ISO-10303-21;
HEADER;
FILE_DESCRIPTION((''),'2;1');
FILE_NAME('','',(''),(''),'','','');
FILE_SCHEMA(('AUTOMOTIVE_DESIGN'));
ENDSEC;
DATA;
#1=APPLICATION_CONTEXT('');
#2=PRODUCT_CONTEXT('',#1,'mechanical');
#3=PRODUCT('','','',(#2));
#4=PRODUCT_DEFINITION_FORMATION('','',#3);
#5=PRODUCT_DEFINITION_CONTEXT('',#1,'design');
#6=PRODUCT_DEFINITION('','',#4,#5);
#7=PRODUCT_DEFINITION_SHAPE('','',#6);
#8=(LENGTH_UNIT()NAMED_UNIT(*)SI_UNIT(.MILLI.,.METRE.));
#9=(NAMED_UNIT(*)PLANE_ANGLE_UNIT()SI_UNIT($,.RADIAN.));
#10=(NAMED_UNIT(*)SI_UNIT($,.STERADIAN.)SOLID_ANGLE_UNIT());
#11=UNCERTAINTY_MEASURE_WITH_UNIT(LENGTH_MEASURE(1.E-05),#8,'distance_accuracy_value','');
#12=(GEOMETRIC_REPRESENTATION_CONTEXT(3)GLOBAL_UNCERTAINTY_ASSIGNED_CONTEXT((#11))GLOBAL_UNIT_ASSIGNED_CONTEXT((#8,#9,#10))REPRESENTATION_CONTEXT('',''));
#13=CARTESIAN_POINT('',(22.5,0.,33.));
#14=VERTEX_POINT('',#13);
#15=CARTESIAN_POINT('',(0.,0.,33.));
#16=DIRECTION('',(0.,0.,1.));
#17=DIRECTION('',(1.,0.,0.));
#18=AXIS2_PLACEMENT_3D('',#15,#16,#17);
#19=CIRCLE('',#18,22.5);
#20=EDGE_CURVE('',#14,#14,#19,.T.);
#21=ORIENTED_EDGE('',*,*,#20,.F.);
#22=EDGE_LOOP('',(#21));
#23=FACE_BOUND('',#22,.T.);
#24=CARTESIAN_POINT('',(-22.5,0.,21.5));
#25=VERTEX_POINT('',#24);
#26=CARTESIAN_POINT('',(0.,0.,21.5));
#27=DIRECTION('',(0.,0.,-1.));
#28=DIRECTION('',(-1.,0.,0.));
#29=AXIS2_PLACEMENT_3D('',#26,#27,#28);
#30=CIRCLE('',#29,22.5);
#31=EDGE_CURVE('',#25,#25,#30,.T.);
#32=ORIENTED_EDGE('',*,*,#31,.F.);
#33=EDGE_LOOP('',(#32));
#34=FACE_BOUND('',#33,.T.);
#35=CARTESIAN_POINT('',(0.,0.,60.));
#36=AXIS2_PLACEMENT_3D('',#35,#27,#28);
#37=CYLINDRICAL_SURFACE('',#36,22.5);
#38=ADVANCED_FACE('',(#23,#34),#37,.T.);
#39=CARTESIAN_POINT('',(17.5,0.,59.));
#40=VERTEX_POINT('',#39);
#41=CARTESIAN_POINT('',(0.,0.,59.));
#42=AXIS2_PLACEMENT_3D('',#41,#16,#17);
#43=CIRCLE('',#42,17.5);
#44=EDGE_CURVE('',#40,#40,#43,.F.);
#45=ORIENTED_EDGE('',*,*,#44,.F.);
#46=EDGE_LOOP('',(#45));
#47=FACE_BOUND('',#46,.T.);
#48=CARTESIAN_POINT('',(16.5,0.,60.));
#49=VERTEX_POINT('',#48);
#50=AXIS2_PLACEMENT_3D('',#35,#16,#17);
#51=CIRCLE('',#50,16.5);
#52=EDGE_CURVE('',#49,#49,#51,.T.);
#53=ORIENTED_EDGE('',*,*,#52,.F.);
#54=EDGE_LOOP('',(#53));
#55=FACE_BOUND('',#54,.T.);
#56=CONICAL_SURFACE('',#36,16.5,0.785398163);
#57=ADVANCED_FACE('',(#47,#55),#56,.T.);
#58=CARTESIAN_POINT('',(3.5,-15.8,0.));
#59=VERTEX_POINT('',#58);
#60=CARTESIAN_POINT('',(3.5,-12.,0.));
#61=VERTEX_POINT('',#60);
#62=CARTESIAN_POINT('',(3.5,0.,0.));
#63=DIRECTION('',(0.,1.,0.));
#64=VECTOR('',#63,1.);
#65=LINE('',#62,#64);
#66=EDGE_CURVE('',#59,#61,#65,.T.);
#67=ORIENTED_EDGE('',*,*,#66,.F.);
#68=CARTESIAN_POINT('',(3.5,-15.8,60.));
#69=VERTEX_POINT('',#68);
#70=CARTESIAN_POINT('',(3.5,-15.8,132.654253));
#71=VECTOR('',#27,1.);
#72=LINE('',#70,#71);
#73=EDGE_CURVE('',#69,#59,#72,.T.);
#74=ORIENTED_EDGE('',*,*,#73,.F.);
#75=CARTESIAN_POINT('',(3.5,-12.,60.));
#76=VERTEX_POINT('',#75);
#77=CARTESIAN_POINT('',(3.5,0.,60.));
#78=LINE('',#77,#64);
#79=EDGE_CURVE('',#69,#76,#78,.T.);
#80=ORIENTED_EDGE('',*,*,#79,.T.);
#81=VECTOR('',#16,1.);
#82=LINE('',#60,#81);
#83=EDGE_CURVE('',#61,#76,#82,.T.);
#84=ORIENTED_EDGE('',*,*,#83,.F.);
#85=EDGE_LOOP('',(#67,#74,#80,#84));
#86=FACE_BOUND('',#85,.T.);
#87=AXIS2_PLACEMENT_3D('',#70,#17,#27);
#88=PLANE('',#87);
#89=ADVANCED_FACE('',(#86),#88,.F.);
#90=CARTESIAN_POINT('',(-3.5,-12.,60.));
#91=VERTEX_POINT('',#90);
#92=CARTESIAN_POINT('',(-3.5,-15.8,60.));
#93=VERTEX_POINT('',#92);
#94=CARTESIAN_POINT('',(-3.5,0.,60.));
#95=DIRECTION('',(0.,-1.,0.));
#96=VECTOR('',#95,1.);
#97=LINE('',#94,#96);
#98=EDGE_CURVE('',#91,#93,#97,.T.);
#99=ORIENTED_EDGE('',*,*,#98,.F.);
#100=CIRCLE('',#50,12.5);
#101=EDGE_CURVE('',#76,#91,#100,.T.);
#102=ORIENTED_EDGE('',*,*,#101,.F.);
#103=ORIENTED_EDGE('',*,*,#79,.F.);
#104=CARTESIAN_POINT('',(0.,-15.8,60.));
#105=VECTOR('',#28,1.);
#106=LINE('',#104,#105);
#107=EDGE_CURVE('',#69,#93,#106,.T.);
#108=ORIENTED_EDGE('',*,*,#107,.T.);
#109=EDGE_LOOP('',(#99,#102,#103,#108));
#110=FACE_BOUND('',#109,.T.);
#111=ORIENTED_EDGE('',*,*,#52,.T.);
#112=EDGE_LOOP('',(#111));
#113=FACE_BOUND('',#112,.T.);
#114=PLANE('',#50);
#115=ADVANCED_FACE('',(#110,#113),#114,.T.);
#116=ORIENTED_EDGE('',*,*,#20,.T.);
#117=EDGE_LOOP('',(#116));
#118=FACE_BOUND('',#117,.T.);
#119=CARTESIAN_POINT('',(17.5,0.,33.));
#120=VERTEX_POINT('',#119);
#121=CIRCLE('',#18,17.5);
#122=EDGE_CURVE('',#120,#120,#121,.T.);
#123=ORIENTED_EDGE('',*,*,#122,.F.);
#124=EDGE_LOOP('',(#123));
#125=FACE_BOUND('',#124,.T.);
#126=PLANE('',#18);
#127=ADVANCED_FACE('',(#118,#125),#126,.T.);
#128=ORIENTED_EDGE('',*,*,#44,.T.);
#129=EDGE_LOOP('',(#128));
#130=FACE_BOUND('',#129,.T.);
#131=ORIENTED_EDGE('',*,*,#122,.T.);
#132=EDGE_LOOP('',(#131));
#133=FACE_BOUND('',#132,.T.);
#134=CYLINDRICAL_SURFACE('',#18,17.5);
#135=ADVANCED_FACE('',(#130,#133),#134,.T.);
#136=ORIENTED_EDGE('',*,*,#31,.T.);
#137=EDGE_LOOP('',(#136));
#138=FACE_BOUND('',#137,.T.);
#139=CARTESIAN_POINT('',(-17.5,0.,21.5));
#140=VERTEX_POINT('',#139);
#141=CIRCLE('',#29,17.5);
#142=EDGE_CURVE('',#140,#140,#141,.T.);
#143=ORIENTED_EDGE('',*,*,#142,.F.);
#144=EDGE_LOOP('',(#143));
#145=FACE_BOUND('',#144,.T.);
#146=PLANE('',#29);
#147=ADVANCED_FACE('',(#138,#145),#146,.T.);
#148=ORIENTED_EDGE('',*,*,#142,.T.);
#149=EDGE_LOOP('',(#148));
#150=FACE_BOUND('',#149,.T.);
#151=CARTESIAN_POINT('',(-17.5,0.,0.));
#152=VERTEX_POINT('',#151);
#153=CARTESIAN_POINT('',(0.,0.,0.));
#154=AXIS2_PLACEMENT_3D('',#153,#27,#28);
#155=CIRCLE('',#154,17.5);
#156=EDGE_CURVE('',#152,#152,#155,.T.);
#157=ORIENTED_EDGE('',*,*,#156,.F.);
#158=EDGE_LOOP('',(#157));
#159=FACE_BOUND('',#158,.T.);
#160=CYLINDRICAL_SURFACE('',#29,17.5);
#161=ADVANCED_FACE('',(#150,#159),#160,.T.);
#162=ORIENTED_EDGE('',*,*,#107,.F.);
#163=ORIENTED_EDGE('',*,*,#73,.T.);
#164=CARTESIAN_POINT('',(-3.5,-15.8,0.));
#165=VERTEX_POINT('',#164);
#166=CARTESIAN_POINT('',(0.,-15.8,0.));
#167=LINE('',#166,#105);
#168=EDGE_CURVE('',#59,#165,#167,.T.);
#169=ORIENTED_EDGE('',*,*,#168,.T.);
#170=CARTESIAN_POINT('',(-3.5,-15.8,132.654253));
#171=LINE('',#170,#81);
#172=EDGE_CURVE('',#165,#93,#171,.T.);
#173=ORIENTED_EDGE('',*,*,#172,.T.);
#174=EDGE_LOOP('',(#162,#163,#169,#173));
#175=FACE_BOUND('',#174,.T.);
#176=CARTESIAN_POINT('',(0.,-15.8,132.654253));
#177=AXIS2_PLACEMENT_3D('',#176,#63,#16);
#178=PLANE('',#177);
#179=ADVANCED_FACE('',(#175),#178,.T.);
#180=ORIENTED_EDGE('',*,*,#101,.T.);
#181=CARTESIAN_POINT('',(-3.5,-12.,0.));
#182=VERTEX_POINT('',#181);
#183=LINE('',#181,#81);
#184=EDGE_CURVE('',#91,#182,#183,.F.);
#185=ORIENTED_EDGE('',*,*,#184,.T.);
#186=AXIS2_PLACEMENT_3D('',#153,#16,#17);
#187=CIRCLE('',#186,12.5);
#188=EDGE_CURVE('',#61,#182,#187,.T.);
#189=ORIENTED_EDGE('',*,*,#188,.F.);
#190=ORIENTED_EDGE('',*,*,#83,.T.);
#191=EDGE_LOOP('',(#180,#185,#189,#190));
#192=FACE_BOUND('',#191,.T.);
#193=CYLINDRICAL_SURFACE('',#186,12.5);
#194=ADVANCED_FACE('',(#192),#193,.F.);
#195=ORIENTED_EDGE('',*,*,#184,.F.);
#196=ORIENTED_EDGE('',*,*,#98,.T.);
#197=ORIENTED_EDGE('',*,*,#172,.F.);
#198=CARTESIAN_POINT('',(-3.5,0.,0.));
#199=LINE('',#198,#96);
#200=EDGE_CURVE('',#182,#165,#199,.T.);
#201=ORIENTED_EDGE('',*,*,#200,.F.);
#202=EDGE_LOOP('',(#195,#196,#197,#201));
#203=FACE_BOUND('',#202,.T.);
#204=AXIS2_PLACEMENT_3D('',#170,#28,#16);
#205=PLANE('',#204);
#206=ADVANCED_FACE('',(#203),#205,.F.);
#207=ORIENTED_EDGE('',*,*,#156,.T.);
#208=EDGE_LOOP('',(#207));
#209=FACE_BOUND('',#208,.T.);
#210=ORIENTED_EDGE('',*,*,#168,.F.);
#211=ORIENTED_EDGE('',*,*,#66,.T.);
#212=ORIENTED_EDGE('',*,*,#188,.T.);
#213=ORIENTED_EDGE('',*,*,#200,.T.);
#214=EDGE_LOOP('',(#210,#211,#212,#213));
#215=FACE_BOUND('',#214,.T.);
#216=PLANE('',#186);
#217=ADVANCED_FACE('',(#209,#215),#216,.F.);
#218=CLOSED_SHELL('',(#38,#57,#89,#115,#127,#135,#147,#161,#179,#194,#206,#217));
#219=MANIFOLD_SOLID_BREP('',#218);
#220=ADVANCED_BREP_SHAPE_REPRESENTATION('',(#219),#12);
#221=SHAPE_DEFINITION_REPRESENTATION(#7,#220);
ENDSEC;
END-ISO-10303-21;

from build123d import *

# Parameters (mm, degrees)
ESQUISSE1_R             = 22.5
BOSS_EXTRU_1_DEPTH      = 60
ESQUISSE2_OUTSIDE_W     = 64.492
ESQUISSE2_OUTSIDE_H     = 64.492
ESQUISSE2_OUTSIDE_R     = 17.5
ENL_V_MAT_EXTRU_1_DEPTH = 27
ESQUISSE3_OUTSIDE_W     = 64.492
ESQUISSE3_OUTSIDE_H     = 64.492
ESQUISSE3_OUTSIDE_R     = 17.5
ENL_V_MAT_EXTRU_2_DEPTH = 21.5
ESQUISSE4_R             = 12.5
ENL_V_MAT_EXTRU_3_DEPTH = 61
ENL_V_MAT_EXTRU_4_DEPTH = 15.8
CHANFREIN1_SIZE         = 1


with BuildPart() as part:
    # Esquisse1 → Boss.-Extru.1 (new body)
    with BuildSketch(Plane.XY):
        Circle(ESQUISSE1_R)
    extrude(amount=BOSS_EXTRU_1_DEPTH)

    # Esquisse2 outside → Enlèv. mat.-Extru.1 (cut)
    with BuildSketch(Plane.XY.offset(60)):
        Rectangle(ESQUISSE2_OUTSIDE_W, ESQUISSE2_OUTSIDE_H)
        Circle(ESQUISSE2_OUTSIDE_R, mode=Mode.SUBTRACT)
    extrude(amount=-ENL_V_MAT_EXTRU_1_DEPTH, mode=Mode.SUBTRACT)

    # Esquisse3 outside → Enlèv. mat.-Extru.2 (cut)
    with BuildSketch(Plane(origin=(0, 0, 0), x_dir=(-1, 0, 0), z_dir=(0, 0, -1))):
        Rectangle(ESQUISSE3_OUTSIDE_W, ESQUISSE3_OUTSIDE_H)
        with Locations(Location((0, 0, 0), (0, 0, 180))):  # turned: the seam where the file's is
            Circle(ESQUISSE3_OUTSIDE_R, mode=Mode.SUBTRACT)
    extrude(amount=-ENL_V_MAT_EXTRU_2_DEPTH, mode=Mode.SUBTRACT)

    # Esquisse4 → Enlèv. mat.-Extru.3 (cut, through all)
    with BuildSketch(Plane.XY.offset(60)):
        Circle(ESQUISSE4_R)
    extrude(amount=-ENL_V_MAT_EXTRU_3_DEPTH, mode=Mode.SUBTRACT)

    # Esquisse6 → Enlèv. mat.-Extru.4 (cut)
    with BuildSketch(Plane(origin=(0, 0, 0), x_dir=(1, 0, 0), z_dir=(0, 1, 0))):
        with BuildLine():
            Line((-3.5, -132.654252639), (-3.5, 6.73879401))
            ThreePointArc((-3.5, 6.73879401), (0, 10.23879401), (3.5, 6.73879401))
            Line((3.5, 6.73879401), (3.5, -132.654252639))
            ThreePointArc((3.5, -132.654252639), (0, -136.154252639), (-3.5, -132.654252639))
        make_face()
    extrude(amount=-ENL_V_MAT_EXTRU_4_DEPTH, mode=Mode.SUBTRACT)

    # Chanfrein1
    chanfrein1_edges = [part.edges().sort_by_distance(p)[0] for p in [
        (-17.5, 0, 60),
    ]]
    chamfer(chanfrein1_edges, length=CHANFREIN1_SIZE)


solid = part.part
